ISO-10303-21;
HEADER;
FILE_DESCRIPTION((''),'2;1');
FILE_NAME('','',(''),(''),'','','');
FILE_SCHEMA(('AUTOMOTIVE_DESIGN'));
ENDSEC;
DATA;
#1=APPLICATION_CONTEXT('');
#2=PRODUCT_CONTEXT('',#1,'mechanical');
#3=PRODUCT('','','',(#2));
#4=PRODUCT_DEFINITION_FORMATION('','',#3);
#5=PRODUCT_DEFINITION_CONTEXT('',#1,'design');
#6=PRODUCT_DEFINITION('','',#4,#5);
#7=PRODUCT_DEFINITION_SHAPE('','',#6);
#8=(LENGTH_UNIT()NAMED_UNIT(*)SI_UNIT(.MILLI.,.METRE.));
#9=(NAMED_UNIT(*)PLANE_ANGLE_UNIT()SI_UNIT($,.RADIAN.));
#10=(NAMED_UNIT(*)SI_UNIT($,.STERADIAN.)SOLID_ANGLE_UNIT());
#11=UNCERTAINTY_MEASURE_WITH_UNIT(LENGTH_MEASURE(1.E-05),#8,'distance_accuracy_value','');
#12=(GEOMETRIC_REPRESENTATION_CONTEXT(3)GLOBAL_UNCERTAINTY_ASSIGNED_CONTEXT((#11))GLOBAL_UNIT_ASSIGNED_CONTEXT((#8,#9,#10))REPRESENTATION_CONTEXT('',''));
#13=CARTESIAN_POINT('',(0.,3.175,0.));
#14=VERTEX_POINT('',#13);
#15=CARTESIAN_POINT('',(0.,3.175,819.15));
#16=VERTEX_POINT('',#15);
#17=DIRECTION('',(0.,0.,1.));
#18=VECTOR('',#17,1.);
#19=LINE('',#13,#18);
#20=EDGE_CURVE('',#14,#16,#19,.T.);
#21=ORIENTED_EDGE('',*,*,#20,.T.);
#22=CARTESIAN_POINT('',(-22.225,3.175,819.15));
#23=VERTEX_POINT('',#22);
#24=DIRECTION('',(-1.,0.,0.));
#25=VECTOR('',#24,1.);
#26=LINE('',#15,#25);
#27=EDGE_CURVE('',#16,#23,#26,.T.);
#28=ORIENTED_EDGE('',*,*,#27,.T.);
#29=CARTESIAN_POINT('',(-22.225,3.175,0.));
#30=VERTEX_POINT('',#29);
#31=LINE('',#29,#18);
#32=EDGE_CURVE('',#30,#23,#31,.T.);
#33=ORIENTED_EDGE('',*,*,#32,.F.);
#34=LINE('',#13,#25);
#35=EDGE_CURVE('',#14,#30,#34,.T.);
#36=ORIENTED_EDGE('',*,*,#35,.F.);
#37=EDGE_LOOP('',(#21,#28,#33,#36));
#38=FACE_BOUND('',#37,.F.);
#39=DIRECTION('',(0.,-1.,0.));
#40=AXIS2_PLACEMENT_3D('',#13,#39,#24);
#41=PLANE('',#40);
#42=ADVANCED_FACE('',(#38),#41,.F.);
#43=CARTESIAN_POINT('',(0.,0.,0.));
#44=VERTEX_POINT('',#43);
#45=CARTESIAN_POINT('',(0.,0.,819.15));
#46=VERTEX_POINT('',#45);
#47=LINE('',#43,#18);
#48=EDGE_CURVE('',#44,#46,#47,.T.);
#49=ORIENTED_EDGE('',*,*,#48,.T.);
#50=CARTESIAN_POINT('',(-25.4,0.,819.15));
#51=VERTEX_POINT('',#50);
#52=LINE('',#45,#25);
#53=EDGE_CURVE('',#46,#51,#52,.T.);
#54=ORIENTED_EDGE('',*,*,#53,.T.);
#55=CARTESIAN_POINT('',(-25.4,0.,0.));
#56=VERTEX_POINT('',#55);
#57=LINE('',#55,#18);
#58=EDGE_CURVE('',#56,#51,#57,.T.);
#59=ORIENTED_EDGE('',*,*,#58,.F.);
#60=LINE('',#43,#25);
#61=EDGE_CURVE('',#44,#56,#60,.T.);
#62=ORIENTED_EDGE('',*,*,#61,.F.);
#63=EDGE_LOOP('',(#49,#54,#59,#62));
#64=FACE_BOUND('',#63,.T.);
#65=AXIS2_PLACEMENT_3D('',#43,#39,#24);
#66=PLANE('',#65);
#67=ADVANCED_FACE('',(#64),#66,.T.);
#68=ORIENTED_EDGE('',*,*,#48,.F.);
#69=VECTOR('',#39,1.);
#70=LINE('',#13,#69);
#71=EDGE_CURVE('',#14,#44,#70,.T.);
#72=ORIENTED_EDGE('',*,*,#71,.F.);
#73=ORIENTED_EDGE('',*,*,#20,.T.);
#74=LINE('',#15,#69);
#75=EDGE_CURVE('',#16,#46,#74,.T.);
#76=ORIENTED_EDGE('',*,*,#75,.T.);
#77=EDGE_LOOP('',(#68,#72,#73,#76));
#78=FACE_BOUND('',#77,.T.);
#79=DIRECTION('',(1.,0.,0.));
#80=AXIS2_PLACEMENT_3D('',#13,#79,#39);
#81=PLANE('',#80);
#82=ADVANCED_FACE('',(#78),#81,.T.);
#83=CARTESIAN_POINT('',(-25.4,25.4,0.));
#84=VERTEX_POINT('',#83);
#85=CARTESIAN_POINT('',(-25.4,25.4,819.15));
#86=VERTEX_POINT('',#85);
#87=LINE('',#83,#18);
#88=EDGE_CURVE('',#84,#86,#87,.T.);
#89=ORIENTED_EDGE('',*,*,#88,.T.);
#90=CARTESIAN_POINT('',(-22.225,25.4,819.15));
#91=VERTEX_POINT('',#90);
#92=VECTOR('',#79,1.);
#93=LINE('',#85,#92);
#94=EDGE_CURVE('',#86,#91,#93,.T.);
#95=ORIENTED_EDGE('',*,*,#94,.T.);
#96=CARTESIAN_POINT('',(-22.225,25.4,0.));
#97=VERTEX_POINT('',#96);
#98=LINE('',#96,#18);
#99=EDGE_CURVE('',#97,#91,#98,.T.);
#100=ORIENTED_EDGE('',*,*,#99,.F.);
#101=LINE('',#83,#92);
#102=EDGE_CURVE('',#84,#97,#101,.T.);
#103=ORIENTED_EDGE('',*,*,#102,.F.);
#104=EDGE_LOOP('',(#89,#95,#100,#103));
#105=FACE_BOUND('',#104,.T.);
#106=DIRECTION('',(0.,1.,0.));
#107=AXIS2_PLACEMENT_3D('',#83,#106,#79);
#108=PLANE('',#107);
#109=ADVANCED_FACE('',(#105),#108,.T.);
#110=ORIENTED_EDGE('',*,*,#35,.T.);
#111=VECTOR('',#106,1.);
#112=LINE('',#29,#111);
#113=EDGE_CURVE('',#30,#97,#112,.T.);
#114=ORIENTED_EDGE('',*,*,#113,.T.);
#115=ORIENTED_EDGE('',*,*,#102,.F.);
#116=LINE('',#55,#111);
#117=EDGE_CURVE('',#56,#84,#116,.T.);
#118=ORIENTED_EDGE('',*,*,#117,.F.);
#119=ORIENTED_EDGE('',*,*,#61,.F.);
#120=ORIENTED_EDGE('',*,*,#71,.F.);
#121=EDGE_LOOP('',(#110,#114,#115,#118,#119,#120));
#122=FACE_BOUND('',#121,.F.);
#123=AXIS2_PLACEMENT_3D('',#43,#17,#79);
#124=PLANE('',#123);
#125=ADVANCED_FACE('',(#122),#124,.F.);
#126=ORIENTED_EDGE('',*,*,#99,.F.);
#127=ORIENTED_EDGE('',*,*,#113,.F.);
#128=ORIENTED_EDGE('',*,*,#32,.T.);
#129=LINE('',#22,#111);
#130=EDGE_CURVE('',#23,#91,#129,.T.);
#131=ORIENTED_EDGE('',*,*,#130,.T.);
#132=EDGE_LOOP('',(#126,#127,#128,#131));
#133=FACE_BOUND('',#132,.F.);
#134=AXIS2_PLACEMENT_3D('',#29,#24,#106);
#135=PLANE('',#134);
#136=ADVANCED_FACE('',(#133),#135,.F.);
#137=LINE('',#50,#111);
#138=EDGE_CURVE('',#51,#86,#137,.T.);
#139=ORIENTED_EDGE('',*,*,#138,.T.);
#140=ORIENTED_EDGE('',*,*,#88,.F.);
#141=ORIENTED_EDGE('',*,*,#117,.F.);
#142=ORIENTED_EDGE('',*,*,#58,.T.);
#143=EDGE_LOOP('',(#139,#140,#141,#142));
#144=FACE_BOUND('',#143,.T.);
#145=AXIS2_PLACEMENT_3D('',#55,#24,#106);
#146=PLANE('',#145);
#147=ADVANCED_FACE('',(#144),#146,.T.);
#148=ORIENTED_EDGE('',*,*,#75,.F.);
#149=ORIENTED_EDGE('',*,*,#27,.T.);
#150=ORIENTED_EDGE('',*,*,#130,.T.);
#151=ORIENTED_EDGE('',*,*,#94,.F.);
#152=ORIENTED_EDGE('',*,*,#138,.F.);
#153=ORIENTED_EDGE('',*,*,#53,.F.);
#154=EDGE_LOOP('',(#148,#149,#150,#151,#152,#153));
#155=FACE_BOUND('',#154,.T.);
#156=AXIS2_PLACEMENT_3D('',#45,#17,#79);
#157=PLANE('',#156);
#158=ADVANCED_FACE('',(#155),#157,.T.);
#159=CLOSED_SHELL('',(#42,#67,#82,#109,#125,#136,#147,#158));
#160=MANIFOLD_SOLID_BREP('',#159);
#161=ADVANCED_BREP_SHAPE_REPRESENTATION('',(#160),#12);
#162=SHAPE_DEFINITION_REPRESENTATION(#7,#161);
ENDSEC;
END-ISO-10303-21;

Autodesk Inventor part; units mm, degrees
ref_plane "YZ Plane" through (0, 0, 0) normal (1, 0, 0) x (0, 1, 0)
ref_plane "XZ Plane" through (0, 0, 0) normal (0, 1, 0) x (-1, 0, 0)
ref_plane "XY Plane" through (0, 0, 0) normal (0, 0, 1) x (1, 0, 0)
sketch "Sketch1" plane through (0, 0, 0) normal (0, 0, 1) x (1, 0, 0)
  line L0 (0, 0) -> (-25.4, 0)
  line L1 (-25.4, 0) -> (-25.4, 25.4)
  line L2 (0, 3.175) -> (-22.225, 3.175)
  line L3 (-22.225, 3.175) -> (-22.225, 25.4)
  line L4 (0, 3.175) -> (0, 0)
  line L5 (-25.4, 25.4) -> (-22.225, 25.4)
  dimension "d0" = 25.4
  dimension "d1" = 25.4
  dimension "d2" = 3.175
extrude "Extrusion1" add sketch "Sketch1" along normal blind 819.15
properties part number "32.25 L"
